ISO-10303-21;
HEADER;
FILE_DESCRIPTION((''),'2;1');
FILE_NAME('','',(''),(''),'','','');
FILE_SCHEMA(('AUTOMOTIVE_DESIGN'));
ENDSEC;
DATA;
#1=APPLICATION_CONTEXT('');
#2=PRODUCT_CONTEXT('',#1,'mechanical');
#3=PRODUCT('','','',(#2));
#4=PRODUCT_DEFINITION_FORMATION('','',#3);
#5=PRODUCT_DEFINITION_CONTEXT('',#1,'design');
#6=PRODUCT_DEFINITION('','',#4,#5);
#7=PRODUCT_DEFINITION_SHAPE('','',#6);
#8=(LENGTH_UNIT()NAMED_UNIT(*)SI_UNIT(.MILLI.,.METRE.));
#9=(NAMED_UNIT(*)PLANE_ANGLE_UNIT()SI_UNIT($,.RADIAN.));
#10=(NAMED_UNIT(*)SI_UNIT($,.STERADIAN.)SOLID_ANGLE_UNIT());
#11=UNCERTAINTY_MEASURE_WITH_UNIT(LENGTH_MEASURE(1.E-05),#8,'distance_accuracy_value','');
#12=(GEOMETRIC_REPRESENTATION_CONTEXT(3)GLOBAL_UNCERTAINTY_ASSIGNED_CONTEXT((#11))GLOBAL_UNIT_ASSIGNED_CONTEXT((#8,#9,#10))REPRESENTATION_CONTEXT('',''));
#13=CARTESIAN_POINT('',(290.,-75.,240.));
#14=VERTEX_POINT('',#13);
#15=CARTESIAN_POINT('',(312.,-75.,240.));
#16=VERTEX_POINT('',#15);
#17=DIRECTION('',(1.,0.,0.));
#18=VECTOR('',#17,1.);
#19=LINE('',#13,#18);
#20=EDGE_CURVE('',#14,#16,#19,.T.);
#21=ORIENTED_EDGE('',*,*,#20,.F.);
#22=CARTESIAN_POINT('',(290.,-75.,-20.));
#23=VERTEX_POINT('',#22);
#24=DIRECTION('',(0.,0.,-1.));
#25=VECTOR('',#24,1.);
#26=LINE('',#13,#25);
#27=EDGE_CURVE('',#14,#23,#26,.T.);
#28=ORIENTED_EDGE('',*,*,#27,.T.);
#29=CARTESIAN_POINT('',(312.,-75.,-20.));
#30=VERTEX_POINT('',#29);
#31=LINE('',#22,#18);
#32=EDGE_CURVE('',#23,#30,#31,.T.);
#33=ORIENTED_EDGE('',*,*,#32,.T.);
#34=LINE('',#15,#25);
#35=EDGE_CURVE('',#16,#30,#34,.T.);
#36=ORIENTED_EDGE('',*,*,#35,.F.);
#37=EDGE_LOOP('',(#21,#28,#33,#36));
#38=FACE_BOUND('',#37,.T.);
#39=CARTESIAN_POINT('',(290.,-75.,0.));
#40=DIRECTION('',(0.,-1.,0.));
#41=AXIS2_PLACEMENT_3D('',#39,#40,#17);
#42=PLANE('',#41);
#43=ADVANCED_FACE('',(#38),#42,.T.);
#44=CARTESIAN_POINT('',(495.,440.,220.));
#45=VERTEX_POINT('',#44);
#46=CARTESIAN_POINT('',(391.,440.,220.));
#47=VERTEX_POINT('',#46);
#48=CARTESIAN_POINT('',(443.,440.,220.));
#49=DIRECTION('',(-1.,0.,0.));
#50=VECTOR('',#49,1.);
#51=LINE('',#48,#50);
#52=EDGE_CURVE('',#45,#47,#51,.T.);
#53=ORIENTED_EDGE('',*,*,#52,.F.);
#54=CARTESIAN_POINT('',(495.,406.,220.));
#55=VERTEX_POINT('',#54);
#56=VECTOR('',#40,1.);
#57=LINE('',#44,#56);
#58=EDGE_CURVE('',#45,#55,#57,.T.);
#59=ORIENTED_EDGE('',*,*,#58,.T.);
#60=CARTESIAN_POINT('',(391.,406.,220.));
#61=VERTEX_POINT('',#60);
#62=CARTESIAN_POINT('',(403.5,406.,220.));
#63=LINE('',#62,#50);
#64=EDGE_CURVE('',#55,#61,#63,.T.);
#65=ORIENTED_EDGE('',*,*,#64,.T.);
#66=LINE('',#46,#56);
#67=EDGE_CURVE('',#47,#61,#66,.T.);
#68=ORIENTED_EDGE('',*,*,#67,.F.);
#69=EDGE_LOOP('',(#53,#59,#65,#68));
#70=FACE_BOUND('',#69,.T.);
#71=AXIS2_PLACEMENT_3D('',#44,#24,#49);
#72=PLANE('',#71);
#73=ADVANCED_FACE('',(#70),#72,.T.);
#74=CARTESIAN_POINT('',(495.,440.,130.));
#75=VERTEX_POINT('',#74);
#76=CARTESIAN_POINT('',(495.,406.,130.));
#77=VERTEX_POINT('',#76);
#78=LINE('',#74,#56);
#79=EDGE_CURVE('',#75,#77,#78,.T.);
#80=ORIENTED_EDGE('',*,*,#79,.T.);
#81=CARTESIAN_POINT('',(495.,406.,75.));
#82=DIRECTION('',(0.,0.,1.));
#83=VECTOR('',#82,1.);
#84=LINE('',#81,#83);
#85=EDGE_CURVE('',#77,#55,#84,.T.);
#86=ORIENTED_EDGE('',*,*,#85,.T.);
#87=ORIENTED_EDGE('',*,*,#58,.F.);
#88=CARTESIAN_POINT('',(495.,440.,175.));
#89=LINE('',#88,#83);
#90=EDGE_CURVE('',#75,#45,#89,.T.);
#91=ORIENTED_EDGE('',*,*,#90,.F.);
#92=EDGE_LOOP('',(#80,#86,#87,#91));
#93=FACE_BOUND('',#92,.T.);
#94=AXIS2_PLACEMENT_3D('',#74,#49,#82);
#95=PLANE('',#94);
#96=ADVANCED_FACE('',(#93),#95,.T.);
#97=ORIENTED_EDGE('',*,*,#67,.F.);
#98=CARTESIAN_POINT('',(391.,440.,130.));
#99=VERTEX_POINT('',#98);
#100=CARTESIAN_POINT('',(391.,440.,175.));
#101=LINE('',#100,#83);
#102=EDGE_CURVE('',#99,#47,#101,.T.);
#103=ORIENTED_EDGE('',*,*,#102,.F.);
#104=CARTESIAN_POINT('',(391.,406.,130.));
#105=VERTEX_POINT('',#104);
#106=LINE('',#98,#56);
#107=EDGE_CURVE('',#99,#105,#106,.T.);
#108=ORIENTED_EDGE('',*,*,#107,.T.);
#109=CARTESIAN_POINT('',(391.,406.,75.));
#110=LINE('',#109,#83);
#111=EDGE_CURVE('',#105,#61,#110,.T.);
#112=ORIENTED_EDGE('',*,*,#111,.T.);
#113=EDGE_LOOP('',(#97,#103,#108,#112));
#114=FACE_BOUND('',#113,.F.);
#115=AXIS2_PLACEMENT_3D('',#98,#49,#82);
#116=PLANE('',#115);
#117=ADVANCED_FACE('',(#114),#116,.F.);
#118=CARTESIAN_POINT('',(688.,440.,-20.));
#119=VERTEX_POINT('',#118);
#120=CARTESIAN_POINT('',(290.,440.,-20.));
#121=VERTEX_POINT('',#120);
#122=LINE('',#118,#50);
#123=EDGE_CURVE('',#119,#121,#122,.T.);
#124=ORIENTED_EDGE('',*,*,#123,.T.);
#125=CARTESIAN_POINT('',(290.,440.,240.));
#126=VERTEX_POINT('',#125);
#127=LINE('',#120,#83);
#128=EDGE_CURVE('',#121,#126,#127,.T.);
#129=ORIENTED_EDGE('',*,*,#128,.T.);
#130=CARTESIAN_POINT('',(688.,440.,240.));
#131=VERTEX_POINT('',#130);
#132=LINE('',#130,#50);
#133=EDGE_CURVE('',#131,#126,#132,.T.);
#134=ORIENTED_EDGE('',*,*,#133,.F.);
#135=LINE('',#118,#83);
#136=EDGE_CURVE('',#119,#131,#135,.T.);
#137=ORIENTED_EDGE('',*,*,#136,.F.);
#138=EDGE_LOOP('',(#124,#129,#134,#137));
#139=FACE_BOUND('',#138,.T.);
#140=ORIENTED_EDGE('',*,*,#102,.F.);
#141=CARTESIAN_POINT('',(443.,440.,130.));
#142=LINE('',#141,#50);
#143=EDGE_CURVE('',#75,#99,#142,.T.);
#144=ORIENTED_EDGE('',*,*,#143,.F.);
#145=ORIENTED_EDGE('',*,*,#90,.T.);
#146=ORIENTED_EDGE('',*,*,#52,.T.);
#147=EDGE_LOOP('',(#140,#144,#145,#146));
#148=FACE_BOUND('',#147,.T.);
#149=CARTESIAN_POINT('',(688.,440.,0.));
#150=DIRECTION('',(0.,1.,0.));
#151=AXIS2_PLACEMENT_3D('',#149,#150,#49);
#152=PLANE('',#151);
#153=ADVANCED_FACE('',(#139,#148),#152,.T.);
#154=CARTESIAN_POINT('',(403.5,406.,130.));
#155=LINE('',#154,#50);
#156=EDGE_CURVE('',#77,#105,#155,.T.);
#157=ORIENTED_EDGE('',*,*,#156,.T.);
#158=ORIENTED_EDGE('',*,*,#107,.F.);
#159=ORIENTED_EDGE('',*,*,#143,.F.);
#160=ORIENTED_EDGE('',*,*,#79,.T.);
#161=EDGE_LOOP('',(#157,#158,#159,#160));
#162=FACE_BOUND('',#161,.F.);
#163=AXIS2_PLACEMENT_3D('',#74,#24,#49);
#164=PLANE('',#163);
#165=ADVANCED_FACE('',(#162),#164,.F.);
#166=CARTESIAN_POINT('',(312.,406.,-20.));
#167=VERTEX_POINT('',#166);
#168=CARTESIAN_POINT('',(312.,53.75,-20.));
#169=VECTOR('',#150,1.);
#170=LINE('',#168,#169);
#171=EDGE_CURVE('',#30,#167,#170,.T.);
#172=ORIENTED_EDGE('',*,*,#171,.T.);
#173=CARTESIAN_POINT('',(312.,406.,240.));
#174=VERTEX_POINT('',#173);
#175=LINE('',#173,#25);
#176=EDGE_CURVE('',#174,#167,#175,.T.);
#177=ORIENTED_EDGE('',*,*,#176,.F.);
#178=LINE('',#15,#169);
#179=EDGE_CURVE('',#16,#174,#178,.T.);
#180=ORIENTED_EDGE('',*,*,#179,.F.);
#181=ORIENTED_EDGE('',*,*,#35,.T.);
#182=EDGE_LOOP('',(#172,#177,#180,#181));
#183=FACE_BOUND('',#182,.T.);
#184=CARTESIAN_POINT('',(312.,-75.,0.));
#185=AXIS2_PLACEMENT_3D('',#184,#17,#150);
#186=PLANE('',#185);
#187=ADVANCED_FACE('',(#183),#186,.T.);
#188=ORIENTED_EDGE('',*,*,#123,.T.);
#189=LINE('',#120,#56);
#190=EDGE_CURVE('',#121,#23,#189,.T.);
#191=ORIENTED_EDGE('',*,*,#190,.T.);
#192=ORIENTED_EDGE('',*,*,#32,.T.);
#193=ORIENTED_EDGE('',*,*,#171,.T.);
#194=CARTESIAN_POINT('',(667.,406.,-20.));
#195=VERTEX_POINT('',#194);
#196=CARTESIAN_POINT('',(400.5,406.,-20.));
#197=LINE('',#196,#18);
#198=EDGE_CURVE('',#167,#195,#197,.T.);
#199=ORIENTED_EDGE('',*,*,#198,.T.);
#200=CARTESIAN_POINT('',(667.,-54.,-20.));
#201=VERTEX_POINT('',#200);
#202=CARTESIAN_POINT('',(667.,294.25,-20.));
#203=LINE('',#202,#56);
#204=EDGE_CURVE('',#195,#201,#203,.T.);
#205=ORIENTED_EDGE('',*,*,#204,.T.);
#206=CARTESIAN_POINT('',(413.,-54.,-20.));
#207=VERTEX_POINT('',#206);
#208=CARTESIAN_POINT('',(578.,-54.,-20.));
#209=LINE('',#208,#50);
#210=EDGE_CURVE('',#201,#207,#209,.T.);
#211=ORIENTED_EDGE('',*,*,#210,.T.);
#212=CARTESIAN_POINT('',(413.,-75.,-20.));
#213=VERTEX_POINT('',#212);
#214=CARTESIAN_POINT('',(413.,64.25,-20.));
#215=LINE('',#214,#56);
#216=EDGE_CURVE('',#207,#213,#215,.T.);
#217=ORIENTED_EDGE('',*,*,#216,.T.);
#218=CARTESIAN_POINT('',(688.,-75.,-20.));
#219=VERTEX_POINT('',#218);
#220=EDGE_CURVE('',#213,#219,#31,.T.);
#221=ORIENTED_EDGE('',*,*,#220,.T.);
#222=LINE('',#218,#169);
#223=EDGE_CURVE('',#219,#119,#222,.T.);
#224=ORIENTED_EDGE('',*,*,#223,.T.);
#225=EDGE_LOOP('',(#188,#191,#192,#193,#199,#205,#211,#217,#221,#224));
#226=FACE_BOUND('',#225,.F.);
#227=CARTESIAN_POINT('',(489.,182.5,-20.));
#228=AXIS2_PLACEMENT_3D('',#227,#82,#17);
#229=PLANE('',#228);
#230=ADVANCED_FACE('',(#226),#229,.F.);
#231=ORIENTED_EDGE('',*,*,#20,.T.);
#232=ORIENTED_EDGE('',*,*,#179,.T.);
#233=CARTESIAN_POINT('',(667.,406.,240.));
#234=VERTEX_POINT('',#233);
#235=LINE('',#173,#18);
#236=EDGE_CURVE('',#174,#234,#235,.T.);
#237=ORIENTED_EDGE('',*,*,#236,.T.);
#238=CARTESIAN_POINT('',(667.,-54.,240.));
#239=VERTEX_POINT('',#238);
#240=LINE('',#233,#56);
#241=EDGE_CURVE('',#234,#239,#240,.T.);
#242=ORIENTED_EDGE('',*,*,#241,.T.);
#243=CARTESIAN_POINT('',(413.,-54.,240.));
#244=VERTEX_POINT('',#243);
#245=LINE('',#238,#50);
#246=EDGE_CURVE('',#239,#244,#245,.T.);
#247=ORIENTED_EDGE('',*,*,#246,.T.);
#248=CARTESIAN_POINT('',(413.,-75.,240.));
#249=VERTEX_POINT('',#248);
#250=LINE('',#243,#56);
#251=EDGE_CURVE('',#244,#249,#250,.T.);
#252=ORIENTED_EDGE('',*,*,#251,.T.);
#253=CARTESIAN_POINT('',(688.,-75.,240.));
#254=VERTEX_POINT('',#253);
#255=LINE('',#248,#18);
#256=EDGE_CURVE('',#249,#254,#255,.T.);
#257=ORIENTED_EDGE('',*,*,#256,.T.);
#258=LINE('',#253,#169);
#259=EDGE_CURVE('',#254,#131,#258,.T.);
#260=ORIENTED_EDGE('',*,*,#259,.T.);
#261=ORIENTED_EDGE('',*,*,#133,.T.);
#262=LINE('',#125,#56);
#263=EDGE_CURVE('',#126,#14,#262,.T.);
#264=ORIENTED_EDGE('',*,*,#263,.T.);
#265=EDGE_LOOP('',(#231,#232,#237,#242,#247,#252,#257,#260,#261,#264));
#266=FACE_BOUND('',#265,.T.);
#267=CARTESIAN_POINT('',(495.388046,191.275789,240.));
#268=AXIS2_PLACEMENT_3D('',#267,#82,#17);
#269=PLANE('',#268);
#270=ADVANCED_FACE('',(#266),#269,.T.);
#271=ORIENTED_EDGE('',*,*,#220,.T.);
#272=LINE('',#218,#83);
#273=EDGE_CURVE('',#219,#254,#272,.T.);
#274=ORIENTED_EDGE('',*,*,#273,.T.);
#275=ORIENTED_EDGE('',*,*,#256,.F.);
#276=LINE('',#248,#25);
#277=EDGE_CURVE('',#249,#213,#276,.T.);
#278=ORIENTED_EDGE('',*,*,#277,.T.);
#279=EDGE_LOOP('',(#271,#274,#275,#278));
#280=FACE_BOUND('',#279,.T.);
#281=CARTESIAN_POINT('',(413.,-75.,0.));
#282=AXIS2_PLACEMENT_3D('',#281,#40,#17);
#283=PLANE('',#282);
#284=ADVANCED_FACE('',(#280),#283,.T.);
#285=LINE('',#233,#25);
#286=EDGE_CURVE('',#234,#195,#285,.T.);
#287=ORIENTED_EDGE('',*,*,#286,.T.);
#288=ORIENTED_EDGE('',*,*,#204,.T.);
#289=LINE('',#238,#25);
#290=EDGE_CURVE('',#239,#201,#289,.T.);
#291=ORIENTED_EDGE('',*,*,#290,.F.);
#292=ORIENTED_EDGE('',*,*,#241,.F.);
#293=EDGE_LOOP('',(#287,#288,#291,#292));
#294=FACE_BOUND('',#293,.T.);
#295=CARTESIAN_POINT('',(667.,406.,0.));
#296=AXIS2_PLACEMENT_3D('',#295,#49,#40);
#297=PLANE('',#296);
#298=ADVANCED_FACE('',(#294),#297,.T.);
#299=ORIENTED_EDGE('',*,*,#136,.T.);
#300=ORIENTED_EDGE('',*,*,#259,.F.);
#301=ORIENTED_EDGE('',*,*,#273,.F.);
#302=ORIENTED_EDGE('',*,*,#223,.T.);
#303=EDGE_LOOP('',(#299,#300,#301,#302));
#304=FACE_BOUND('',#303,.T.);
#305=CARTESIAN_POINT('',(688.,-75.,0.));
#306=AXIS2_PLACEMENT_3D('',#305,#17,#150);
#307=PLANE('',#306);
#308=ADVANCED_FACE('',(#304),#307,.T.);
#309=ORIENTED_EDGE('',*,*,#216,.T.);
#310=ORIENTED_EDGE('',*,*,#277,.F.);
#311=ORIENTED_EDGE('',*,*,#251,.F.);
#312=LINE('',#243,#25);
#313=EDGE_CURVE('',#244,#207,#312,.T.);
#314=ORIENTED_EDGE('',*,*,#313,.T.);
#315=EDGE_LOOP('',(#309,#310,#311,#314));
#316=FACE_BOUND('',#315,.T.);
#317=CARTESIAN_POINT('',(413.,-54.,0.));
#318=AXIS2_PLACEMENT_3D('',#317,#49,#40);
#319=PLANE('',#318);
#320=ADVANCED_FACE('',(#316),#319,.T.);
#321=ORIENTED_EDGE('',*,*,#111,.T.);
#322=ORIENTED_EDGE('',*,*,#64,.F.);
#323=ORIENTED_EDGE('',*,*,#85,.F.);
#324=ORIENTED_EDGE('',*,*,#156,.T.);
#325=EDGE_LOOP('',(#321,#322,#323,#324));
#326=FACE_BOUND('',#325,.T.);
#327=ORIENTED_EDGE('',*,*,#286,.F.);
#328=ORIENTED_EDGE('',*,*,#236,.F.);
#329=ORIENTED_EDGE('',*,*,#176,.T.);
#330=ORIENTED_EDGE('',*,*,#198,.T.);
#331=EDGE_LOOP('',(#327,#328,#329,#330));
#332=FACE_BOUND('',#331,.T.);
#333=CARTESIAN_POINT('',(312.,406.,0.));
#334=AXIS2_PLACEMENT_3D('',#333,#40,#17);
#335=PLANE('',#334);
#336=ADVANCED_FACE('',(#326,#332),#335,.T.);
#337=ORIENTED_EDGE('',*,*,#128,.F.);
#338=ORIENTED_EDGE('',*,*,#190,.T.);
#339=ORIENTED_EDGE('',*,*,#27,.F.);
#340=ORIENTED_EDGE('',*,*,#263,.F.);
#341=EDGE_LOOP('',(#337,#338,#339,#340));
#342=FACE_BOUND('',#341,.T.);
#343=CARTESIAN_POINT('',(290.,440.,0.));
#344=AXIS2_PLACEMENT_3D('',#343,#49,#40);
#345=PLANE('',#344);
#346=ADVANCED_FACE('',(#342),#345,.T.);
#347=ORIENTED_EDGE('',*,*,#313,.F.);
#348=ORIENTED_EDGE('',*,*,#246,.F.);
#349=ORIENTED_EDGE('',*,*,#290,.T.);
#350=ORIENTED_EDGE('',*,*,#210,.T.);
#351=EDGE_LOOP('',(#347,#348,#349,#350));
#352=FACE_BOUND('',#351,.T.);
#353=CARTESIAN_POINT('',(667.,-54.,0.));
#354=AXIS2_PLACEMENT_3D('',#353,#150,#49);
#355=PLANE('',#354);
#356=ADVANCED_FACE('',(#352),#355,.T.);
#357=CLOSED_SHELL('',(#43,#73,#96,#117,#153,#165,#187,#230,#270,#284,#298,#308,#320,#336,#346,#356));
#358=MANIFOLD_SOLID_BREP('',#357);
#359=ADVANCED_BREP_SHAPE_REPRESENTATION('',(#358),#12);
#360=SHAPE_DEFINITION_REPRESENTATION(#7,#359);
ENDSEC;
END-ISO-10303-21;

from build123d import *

# Parameters (mm, degrees)
F2_DEPTH = 20
F4_DEPTH = 220
F5_W     = 104
F5_H     = 90
F6_DEPTH = 40
F7_DEPTH = 25
F8_DEPTH = 20


with BuildPart() as f2:
    # F1 (on face) → F2 (new body)
    with BuildSketch(Plane.XY):
        Polygon((413, -75), (688, -75), (688, 440), (290, 440), (290, 406), (290, 141), (290, -75), align=None)
    extrude(amount=F2_DEPTH)

    # F3 (on face) → F4 (join)
    with BuildSketch(Plane.XY.offset(20)):
        Polygon((667, 406), (667, -54), (413, -54), (413, -75), (688, -75), (688, 406), (688, 440), (290, 440), (290, -75), (312, -75), (312, 43), (312, 124), (312, 406), align=None)
    extrude(amount=F4_DEPTH)

    # F5 (on face) → F6 (cut)
    with BuildSketch(Plane(origin=(0, 440, 0), x_dir=(-1, 0, 0), z_dir=(0, 1, 0))):
        with Locations((-443, 175)):
            Rectangle(F5_W, F5_H)
    extrude(amount=-F6_DEPTH, mode=Mode.SUBTRACT)

    # F7 (cut): a face of the model
    f7_faces = [f2.faces().sort_by_distance(p)[0] for p in [
        (487.8716275443, 172.9163497984, 20),
    ]]
    extrude(f7_faces, amount=-F7_DEPTH, mode=Mode.SUBTRACT)

    # F8 (add): a face of the model
    f8_faces = [f2.faces().sort_by_distance(p)[0] for p in [
        (550.5, -68.4913211786, 0),
    ]]
    extrude(f8_faces, amount=F8_DEPTH)


solid = f2.part
